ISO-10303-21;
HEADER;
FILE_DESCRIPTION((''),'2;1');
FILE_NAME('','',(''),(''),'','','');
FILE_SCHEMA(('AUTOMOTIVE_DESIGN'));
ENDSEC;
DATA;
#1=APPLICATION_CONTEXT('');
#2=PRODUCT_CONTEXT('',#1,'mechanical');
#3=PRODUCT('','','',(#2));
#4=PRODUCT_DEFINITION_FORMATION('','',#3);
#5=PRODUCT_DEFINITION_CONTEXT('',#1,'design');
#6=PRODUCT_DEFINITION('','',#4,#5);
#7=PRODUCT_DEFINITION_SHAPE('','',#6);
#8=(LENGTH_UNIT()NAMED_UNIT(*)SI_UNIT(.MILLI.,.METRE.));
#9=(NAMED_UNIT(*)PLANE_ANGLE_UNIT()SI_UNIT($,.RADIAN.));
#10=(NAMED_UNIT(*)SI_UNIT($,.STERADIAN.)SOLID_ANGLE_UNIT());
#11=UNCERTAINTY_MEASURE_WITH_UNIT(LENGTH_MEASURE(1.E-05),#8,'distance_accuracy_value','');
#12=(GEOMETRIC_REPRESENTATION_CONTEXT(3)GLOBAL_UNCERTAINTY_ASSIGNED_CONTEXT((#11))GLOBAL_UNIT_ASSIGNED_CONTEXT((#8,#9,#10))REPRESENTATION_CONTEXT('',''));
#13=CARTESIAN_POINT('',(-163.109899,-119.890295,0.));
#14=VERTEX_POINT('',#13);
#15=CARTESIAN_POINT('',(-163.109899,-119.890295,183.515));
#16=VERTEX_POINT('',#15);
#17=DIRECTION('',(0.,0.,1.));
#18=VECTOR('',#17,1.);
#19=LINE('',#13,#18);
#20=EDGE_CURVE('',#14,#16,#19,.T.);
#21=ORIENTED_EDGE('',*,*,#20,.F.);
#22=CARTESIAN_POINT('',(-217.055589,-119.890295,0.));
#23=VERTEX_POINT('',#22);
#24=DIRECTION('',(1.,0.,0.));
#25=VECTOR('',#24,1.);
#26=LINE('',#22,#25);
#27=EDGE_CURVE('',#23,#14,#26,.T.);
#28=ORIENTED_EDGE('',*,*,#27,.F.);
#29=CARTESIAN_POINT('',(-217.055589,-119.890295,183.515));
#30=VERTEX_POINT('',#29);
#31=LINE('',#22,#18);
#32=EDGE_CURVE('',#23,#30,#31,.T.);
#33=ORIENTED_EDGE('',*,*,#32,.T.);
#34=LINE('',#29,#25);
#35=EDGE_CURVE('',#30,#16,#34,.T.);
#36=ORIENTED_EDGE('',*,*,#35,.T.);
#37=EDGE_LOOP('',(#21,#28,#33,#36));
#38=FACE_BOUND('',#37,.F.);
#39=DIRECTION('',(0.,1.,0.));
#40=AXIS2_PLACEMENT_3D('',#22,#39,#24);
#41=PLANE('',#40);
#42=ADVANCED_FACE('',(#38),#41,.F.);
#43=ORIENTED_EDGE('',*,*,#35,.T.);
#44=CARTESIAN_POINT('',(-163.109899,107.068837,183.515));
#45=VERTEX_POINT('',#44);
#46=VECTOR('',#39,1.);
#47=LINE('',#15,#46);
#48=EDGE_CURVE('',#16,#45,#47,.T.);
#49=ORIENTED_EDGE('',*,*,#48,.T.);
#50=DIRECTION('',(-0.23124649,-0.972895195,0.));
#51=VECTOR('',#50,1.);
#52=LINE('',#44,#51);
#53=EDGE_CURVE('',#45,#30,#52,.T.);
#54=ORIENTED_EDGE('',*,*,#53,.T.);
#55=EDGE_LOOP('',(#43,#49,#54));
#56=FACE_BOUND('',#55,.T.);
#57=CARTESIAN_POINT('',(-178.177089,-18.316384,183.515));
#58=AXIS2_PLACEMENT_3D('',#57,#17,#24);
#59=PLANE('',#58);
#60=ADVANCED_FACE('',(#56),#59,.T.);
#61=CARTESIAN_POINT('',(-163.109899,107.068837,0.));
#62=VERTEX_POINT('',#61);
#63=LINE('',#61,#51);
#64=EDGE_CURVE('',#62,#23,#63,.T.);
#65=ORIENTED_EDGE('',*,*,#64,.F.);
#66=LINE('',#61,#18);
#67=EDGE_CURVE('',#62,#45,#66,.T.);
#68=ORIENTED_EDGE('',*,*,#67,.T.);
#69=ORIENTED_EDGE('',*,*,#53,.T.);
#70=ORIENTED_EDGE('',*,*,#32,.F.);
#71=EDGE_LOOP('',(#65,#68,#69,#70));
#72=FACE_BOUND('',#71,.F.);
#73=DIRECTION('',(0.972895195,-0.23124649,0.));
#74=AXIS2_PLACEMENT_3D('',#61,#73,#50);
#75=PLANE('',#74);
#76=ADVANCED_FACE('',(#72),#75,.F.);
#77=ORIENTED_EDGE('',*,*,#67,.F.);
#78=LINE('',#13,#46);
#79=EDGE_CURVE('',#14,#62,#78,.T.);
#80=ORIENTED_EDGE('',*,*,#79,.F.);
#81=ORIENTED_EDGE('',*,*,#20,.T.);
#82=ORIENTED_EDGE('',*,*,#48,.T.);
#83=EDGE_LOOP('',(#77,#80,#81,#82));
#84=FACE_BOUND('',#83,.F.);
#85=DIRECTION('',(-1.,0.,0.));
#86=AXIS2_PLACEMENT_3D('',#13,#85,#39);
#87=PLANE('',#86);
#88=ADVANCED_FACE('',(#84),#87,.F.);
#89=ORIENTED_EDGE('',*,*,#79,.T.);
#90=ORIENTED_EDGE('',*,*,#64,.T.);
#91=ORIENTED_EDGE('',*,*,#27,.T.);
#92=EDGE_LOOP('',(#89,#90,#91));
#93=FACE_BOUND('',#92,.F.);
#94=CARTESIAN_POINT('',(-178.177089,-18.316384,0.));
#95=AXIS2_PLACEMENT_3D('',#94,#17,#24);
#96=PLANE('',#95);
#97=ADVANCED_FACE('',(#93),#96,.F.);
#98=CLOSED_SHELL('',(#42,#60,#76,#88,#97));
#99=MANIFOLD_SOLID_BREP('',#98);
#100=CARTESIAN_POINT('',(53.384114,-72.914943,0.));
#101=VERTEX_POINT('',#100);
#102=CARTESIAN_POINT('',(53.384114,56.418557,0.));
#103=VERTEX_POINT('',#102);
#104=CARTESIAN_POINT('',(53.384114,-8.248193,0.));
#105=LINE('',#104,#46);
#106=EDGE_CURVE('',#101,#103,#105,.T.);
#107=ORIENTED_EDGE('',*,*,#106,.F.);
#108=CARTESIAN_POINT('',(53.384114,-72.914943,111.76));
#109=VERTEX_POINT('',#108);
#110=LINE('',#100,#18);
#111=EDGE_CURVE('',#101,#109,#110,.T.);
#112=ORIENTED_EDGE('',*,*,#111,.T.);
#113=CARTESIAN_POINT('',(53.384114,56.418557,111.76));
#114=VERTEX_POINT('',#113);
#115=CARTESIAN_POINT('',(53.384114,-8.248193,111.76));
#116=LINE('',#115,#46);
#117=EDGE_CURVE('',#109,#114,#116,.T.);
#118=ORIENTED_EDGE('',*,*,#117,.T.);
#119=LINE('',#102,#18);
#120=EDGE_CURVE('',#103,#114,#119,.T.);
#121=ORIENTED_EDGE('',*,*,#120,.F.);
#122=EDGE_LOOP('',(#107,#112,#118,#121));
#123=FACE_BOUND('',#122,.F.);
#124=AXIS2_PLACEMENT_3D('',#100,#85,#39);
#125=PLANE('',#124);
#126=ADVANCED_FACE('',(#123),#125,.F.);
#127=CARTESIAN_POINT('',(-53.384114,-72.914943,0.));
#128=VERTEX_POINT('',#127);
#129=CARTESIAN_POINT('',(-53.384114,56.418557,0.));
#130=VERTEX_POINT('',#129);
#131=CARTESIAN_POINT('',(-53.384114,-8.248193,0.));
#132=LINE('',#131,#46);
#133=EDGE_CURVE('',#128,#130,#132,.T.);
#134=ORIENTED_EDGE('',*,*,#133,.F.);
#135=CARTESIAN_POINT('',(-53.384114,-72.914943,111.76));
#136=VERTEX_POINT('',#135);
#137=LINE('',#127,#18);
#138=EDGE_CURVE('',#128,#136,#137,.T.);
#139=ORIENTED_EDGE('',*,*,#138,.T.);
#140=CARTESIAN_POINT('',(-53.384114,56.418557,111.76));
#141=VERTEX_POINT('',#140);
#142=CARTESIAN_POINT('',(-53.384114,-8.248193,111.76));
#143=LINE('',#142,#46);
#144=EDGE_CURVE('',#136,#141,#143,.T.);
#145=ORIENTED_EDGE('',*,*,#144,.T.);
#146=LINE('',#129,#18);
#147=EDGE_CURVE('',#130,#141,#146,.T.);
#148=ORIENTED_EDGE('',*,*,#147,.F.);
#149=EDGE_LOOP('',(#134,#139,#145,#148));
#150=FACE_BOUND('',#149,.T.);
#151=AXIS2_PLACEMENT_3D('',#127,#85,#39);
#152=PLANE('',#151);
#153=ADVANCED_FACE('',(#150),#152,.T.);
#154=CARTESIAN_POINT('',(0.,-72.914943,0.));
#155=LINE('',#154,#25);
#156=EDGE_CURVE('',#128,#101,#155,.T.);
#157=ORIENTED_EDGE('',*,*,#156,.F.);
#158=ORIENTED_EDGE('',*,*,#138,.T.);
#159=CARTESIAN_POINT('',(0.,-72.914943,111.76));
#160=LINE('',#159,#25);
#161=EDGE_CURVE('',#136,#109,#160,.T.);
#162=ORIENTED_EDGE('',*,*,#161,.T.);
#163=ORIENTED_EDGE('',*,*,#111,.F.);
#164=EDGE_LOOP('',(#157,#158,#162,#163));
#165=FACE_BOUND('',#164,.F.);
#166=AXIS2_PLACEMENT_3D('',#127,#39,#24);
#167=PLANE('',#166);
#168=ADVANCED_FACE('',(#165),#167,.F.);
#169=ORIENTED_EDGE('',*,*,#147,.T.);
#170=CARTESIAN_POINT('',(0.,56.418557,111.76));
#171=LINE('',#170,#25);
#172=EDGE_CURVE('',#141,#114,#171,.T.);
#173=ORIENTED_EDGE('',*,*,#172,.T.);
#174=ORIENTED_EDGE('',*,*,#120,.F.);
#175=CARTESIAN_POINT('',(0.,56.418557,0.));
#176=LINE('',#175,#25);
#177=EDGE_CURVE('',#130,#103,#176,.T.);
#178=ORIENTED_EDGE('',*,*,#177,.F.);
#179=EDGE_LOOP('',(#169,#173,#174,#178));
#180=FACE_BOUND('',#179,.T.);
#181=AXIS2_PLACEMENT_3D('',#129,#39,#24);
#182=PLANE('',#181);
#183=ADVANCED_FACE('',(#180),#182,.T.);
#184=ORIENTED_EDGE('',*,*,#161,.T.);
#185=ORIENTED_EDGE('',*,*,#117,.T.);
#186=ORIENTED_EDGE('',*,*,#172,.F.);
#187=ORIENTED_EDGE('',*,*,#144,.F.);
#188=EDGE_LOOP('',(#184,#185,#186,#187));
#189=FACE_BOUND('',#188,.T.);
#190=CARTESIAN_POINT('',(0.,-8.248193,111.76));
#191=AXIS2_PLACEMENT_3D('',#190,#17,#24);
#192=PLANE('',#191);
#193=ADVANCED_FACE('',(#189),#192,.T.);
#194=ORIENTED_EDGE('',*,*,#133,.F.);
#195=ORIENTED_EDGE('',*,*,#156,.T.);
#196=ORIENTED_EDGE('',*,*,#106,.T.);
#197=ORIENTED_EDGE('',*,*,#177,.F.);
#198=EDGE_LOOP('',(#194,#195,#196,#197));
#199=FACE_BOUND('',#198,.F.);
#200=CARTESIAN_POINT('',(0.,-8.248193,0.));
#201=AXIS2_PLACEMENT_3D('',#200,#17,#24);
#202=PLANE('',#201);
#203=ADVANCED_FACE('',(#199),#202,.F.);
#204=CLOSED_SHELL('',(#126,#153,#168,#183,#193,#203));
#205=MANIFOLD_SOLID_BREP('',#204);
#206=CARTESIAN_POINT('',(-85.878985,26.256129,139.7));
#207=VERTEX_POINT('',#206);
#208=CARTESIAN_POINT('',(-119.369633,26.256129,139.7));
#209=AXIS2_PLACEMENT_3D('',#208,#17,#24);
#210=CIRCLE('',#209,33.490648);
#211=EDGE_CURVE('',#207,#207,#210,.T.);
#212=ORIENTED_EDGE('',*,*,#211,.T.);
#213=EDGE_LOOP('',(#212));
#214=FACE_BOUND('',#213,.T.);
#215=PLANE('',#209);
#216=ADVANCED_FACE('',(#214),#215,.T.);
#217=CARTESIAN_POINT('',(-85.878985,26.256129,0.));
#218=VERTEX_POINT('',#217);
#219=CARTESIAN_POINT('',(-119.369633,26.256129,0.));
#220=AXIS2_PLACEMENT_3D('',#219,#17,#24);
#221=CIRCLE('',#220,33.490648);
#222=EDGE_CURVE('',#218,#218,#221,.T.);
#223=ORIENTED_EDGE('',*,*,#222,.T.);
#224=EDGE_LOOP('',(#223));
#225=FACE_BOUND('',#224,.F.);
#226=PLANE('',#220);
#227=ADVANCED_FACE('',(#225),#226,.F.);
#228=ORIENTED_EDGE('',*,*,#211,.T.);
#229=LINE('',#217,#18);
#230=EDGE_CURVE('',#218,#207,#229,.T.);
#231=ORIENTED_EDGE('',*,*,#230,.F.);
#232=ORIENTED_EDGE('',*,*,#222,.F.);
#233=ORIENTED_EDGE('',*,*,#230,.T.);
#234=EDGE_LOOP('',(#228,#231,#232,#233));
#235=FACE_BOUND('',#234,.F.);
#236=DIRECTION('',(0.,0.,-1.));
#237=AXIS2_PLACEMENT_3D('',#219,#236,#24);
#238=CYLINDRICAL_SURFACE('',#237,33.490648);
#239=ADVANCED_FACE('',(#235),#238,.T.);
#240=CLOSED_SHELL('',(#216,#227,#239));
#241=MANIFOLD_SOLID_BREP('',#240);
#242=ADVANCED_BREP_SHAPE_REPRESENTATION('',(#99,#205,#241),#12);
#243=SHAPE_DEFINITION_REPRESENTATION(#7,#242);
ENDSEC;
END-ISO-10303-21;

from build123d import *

# Parameters (mm, degrees)
F0_W     = 106.768228
F0_H     = 129.3335
F1_DEPTH = 111.76
F2_R     = 33.490648
F3_DEPTH = 139.7
F5_DEPTH = 183.515


with BuildPart() as f1:
    # F0 (on Top) → F1 (new body)
    with BuildSketch(Plane.XY):
        with Locations((0, -8.248193)):
            Rectangle(F0_W, F0_H)
    extrude(amount=F1_DEPTH)


with BuildPart() as f3:
    # F2 (on Top) → F3 (new body)
    with BuildSketch(Plane.XY):
        with Locations((-119.369633, 26.256129)):
            Circle(F2_R)
    extrude(amount=F3_DEPTH)


with BuildPart() as f5:
    # F4 (on Top) → F5 (new body)
    with BuildSketch(Plane.XY):
        Polygon((-163.109899, -119.890295), (-163.109899, 107.068837), (-217.055589, -119.890295), align=None)
    extrude(amount=F5_DEPTH)


solid = Compound([f1.part, f3.part, f5.part])
